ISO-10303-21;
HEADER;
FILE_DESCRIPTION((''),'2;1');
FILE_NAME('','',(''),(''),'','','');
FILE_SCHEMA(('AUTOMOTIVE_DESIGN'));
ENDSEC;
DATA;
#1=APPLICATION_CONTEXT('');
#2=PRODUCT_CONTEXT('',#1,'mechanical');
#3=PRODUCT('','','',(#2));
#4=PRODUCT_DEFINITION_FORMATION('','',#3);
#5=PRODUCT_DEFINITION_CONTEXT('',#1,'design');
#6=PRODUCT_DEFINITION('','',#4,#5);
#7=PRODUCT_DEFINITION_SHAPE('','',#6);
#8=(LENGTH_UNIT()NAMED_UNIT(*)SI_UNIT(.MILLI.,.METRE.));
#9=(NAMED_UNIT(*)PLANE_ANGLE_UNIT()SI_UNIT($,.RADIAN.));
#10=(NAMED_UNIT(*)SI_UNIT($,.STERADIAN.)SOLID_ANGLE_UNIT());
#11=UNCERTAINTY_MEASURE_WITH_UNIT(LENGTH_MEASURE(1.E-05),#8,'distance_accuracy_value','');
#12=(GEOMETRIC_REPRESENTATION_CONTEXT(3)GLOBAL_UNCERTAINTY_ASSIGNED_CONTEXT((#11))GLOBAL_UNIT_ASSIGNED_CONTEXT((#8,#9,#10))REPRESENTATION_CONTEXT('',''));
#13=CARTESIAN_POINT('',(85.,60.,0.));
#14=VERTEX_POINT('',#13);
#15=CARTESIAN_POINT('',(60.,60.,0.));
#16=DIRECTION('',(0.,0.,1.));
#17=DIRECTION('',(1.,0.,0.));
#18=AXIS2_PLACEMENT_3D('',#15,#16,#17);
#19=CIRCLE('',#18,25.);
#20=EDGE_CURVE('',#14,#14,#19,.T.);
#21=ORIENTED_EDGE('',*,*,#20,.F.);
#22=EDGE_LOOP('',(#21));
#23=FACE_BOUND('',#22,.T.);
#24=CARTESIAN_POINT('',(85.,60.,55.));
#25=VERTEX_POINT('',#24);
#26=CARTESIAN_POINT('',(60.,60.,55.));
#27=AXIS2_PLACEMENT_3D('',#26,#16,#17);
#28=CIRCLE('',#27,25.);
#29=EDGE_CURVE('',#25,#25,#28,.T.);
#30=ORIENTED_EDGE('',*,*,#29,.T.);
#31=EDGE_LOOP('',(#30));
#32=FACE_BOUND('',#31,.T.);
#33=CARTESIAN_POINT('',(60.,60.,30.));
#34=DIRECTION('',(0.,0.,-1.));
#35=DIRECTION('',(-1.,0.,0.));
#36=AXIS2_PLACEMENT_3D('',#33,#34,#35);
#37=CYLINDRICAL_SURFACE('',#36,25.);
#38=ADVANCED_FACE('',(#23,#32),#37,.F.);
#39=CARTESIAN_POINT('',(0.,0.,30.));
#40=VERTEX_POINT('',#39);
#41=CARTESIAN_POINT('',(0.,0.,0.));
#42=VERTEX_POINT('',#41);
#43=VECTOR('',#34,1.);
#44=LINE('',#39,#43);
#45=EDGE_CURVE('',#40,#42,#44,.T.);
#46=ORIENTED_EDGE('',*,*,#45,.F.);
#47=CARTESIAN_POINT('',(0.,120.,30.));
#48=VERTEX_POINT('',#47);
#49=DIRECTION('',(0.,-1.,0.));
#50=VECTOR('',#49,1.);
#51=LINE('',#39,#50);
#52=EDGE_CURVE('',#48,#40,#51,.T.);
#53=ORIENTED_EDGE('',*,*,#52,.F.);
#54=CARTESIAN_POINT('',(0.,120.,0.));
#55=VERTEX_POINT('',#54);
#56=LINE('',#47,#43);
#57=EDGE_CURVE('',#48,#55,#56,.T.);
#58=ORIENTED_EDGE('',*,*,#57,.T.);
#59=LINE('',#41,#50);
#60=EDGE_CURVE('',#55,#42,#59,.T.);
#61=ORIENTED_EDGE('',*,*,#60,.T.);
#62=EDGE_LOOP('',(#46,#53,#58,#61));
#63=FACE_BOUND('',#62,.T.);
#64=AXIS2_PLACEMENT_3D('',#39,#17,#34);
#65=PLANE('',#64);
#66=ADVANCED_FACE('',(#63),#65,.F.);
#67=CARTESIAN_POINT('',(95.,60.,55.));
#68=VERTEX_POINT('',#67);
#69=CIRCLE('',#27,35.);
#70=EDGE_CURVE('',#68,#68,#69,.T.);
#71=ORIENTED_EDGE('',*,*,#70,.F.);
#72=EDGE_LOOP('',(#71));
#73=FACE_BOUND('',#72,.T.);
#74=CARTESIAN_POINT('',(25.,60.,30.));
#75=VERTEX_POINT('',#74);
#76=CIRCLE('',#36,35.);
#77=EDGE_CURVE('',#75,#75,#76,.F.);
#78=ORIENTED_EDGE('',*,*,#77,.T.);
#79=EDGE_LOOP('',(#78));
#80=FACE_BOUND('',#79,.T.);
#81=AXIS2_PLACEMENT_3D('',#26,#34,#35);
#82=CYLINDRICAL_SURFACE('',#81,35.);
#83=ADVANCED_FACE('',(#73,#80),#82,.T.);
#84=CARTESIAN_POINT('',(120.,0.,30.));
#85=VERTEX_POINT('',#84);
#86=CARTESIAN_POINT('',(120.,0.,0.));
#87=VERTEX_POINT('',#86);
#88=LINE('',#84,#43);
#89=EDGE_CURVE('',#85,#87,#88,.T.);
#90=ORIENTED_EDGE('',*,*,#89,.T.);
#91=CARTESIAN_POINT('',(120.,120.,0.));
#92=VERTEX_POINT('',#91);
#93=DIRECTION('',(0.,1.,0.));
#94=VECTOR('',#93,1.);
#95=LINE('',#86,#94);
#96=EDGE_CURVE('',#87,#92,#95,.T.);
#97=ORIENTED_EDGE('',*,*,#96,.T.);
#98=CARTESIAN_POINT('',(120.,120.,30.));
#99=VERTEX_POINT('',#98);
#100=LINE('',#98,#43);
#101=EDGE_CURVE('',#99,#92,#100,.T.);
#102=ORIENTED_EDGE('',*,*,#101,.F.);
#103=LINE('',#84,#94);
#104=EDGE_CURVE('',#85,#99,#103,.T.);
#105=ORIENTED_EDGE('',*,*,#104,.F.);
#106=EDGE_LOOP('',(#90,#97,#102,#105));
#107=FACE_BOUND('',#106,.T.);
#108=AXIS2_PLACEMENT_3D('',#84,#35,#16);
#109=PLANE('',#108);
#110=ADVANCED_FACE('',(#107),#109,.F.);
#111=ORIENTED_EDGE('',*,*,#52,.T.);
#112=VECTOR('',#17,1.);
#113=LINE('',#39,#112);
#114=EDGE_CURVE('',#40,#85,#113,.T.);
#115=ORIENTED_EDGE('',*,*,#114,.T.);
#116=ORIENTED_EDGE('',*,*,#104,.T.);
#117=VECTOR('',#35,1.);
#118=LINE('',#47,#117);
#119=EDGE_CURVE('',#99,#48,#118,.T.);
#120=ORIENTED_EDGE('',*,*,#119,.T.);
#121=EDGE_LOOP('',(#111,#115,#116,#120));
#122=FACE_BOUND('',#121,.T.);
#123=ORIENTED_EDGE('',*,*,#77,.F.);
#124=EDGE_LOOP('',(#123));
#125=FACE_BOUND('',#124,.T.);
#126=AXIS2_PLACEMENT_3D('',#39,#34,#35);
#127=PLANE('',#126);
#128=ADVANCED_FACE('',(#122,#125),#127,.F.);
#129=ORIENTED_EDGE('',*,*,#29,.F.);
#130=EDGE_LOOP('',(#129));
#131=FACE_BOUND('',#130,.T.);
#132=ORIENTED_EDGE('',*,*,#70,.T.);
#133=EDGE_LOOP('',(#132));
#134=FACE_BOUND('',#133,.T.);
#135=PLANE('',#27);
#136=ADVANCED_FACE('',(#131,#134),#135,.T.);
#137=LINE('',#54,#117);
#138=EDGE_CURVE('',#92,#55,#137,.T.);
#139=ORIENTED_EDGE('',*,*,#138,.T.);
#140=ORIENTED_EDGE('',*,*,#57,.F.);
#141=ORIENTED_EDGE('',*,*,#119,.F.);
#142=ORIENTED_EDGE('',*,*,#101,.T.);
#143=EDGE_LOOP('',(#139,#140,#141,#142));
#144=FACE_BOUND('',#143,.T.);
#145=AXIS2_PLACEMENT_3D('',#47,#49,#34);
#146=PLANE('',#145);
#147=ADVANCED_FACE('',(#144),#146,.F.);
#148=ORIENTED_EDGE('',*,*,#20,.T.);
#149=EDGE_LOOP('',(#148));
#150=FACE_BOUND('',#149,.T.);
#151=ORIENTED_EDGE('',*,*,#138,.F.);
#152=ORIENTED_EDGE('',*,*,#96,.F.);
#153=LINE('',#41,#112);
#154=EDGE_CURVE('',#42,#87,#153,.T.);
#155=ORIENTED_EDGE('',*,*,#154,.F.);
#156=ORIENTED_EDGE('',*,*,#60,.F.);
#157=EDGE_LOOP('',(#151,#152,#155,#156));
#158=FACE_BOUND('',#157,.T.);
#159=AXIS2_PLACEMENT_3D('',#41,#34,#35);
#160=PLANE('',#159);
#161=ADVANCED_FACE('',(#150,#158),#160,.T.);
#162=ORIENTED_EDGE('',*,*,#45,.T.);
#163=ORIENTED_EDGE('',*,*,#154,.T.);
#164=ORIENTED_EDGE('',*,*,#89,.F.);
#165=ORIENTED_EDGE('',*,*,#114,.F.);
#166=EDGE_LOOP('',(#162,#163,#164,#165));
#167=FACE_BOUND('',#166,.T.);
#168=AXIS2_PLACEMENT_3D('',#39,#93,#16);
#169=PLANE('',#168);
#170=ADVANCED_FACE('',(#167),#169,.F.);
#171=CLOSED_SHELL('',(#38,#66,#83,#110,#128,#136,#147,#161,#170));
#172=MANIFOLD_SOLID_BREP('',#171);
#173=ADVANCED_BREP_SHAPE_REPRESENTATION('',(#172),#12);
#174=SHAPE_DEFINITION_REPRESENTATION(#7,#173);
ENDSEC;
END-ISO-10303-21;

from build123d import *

# Parameters (mm, degrees)
SKETCH_1_W      = 120
SKETCH_1_H      = 120
SKETCH_1_R      = 25
EXTRUDE_1_DEPTH = 30
SKETCH_2_R      = 35
SKETCH_2_R_2    = 25
EXTRUDE_2_DEPTH = 25


with BuildPart() as part:
    # 草圖1 → 填料-伸長1 (new body)
    with BuildSketch(Plane.XY):
        with Locations((60, 60)):
            Rectangle(SKETCH_1_W, SKETCH_1_H)
        with Locations((60, 60)):
            Circle(SKETCH_1_R, mode=Mode.SUBTRACT)
    extrude(amount=EXTRUDE_1_DEPTH)

    # 草圖2 → 填料-伸長2 (add)
    with BuildSketch(Plane.XY.offset(30)):
        with Locations(Location((60, 60, 0), (0, 0, 180))):
            Circle(SKETCH_2_R)
        with Locations((60, 60)):
            Circle(SKETCH_2_R_2, mode=Mode.SUBTRACT)
    extrude(amount=EXTRUDE_2_DEPTH)


solid = part.part
